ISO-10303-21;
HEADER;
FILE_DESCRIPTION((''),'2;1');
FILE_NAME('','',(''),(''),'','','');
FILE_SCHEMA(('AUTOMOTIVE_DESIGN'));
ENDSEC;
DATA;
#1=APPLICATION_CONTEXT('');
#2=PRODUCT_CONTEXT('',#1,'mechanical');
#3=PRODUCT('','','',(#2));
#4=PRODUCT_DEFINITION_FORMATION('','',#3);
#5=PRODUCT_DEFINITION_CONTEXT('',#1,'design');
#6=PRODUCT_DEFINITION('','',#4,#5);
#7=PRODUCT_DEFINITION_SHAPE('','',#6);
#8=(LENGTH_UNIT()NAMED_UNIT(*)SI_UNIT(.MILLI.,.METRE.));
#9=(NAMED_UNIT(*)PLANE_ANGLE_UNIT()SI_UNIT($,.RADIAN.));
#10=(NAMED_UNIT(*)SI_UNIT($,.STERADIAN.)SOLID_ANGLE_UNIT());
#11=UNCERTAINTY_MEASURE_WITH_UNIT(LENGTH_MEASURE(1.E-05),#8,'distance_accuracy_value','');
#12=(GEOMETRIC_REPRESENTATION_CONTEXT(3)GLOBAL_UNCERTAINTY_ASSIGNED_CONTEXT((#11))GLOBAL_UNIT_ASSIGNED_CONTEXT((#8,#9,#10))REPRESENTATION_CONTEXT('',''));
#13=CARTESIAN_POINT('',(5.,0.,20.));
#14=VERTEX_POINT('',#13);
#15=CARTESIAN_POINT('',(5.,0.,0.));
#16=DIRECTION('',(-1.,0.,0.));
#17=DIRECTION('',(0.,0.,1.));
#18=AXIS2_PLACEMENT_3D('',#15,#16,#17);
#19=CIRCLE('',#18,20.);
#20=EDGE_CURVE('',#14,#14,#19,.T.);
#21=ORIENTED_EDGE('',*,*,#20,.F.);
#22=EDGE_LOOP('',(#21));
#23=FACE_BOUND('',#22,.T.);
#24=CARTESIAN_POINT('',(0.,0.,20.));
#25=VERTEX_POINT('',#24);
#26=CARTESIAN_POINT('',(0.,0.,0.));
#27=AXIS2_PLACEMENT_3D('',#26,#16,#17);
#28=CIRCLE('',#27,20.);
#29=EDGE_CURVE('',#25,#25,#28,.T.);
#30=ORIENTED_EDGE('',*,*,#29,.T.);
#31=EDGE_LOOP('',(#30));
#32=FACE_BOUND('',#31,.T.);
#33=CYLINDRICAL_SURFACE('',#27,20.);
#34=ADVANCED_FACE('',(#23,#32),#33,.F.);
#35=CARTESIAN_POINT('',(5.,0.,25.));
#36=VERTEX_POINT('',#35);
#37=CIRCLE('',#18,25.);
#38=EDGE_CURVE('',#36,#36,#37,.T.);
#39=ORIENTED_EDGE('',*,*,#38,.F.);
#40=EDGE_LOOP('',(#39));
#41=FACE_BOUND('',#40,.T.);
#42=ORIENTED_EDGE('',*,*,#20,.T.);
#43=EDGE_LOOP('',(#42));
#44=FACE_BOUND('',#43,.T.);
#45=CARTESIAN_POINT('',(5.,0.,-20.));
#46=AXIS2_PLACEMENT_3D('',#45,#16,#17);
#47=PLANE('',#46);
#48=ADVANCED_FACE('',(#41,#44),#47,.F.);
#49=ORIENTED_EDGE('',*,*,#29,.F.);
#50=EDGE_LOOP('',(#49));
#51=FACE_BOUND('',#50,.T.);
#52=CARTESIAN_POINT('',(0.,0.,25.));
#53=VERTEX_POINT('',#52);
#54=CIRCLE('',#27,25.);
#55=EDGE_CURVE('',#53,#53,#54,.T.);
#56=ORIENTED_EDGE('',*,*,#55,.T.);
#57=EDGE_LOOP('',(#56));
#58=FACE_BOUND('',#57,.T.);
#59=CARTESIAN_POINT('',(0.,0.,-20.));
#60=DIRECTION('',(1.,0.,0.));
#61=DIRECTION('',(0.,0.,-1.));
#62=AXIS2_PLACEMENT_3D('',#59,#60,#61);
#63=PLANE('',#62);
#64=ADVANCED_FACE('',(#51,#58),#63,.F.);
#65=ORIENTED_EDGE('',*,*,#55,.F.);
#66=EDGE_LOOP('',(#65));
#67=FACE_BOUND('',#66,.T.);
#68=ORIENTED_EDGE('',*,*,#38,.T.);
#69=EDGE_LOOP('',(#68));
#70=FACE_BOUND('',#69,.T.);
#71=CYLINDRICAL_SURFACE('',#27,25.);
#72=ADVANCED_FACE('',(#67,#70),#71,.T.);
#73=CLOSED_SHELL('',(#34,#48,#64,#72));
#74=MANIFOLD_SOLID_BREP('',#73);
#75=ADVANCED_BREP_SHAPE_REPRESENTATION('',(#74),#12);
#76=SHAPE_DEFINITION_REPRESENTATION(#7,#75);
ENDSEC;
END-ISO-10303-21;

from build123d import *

# Parameters (mm, degrees)
SKETCH1_W = 5
SKETCH1_H = 5


with BuildPart() as part:
    # Sketch1 → Revolve1 (revolve)
    with BuildSketch(Plane(origin=(0, 0, 0), x_dir=(1, 0, 0), z_dir=(0, 1, 0)), mode=Mode.PRIVATE) as revolve1_sk:
        with Locations((2.5, 22.5)):
            Rectangle(SKETCH1_W, SKETCH1_H)
    revolve(revolve1_sk.sketch.rotate(Axis((0, 0, 0), (1, 0, 0)), 180), axis=Axis((0, 0, 0), (1, 0, 0)))


solid = part.part
